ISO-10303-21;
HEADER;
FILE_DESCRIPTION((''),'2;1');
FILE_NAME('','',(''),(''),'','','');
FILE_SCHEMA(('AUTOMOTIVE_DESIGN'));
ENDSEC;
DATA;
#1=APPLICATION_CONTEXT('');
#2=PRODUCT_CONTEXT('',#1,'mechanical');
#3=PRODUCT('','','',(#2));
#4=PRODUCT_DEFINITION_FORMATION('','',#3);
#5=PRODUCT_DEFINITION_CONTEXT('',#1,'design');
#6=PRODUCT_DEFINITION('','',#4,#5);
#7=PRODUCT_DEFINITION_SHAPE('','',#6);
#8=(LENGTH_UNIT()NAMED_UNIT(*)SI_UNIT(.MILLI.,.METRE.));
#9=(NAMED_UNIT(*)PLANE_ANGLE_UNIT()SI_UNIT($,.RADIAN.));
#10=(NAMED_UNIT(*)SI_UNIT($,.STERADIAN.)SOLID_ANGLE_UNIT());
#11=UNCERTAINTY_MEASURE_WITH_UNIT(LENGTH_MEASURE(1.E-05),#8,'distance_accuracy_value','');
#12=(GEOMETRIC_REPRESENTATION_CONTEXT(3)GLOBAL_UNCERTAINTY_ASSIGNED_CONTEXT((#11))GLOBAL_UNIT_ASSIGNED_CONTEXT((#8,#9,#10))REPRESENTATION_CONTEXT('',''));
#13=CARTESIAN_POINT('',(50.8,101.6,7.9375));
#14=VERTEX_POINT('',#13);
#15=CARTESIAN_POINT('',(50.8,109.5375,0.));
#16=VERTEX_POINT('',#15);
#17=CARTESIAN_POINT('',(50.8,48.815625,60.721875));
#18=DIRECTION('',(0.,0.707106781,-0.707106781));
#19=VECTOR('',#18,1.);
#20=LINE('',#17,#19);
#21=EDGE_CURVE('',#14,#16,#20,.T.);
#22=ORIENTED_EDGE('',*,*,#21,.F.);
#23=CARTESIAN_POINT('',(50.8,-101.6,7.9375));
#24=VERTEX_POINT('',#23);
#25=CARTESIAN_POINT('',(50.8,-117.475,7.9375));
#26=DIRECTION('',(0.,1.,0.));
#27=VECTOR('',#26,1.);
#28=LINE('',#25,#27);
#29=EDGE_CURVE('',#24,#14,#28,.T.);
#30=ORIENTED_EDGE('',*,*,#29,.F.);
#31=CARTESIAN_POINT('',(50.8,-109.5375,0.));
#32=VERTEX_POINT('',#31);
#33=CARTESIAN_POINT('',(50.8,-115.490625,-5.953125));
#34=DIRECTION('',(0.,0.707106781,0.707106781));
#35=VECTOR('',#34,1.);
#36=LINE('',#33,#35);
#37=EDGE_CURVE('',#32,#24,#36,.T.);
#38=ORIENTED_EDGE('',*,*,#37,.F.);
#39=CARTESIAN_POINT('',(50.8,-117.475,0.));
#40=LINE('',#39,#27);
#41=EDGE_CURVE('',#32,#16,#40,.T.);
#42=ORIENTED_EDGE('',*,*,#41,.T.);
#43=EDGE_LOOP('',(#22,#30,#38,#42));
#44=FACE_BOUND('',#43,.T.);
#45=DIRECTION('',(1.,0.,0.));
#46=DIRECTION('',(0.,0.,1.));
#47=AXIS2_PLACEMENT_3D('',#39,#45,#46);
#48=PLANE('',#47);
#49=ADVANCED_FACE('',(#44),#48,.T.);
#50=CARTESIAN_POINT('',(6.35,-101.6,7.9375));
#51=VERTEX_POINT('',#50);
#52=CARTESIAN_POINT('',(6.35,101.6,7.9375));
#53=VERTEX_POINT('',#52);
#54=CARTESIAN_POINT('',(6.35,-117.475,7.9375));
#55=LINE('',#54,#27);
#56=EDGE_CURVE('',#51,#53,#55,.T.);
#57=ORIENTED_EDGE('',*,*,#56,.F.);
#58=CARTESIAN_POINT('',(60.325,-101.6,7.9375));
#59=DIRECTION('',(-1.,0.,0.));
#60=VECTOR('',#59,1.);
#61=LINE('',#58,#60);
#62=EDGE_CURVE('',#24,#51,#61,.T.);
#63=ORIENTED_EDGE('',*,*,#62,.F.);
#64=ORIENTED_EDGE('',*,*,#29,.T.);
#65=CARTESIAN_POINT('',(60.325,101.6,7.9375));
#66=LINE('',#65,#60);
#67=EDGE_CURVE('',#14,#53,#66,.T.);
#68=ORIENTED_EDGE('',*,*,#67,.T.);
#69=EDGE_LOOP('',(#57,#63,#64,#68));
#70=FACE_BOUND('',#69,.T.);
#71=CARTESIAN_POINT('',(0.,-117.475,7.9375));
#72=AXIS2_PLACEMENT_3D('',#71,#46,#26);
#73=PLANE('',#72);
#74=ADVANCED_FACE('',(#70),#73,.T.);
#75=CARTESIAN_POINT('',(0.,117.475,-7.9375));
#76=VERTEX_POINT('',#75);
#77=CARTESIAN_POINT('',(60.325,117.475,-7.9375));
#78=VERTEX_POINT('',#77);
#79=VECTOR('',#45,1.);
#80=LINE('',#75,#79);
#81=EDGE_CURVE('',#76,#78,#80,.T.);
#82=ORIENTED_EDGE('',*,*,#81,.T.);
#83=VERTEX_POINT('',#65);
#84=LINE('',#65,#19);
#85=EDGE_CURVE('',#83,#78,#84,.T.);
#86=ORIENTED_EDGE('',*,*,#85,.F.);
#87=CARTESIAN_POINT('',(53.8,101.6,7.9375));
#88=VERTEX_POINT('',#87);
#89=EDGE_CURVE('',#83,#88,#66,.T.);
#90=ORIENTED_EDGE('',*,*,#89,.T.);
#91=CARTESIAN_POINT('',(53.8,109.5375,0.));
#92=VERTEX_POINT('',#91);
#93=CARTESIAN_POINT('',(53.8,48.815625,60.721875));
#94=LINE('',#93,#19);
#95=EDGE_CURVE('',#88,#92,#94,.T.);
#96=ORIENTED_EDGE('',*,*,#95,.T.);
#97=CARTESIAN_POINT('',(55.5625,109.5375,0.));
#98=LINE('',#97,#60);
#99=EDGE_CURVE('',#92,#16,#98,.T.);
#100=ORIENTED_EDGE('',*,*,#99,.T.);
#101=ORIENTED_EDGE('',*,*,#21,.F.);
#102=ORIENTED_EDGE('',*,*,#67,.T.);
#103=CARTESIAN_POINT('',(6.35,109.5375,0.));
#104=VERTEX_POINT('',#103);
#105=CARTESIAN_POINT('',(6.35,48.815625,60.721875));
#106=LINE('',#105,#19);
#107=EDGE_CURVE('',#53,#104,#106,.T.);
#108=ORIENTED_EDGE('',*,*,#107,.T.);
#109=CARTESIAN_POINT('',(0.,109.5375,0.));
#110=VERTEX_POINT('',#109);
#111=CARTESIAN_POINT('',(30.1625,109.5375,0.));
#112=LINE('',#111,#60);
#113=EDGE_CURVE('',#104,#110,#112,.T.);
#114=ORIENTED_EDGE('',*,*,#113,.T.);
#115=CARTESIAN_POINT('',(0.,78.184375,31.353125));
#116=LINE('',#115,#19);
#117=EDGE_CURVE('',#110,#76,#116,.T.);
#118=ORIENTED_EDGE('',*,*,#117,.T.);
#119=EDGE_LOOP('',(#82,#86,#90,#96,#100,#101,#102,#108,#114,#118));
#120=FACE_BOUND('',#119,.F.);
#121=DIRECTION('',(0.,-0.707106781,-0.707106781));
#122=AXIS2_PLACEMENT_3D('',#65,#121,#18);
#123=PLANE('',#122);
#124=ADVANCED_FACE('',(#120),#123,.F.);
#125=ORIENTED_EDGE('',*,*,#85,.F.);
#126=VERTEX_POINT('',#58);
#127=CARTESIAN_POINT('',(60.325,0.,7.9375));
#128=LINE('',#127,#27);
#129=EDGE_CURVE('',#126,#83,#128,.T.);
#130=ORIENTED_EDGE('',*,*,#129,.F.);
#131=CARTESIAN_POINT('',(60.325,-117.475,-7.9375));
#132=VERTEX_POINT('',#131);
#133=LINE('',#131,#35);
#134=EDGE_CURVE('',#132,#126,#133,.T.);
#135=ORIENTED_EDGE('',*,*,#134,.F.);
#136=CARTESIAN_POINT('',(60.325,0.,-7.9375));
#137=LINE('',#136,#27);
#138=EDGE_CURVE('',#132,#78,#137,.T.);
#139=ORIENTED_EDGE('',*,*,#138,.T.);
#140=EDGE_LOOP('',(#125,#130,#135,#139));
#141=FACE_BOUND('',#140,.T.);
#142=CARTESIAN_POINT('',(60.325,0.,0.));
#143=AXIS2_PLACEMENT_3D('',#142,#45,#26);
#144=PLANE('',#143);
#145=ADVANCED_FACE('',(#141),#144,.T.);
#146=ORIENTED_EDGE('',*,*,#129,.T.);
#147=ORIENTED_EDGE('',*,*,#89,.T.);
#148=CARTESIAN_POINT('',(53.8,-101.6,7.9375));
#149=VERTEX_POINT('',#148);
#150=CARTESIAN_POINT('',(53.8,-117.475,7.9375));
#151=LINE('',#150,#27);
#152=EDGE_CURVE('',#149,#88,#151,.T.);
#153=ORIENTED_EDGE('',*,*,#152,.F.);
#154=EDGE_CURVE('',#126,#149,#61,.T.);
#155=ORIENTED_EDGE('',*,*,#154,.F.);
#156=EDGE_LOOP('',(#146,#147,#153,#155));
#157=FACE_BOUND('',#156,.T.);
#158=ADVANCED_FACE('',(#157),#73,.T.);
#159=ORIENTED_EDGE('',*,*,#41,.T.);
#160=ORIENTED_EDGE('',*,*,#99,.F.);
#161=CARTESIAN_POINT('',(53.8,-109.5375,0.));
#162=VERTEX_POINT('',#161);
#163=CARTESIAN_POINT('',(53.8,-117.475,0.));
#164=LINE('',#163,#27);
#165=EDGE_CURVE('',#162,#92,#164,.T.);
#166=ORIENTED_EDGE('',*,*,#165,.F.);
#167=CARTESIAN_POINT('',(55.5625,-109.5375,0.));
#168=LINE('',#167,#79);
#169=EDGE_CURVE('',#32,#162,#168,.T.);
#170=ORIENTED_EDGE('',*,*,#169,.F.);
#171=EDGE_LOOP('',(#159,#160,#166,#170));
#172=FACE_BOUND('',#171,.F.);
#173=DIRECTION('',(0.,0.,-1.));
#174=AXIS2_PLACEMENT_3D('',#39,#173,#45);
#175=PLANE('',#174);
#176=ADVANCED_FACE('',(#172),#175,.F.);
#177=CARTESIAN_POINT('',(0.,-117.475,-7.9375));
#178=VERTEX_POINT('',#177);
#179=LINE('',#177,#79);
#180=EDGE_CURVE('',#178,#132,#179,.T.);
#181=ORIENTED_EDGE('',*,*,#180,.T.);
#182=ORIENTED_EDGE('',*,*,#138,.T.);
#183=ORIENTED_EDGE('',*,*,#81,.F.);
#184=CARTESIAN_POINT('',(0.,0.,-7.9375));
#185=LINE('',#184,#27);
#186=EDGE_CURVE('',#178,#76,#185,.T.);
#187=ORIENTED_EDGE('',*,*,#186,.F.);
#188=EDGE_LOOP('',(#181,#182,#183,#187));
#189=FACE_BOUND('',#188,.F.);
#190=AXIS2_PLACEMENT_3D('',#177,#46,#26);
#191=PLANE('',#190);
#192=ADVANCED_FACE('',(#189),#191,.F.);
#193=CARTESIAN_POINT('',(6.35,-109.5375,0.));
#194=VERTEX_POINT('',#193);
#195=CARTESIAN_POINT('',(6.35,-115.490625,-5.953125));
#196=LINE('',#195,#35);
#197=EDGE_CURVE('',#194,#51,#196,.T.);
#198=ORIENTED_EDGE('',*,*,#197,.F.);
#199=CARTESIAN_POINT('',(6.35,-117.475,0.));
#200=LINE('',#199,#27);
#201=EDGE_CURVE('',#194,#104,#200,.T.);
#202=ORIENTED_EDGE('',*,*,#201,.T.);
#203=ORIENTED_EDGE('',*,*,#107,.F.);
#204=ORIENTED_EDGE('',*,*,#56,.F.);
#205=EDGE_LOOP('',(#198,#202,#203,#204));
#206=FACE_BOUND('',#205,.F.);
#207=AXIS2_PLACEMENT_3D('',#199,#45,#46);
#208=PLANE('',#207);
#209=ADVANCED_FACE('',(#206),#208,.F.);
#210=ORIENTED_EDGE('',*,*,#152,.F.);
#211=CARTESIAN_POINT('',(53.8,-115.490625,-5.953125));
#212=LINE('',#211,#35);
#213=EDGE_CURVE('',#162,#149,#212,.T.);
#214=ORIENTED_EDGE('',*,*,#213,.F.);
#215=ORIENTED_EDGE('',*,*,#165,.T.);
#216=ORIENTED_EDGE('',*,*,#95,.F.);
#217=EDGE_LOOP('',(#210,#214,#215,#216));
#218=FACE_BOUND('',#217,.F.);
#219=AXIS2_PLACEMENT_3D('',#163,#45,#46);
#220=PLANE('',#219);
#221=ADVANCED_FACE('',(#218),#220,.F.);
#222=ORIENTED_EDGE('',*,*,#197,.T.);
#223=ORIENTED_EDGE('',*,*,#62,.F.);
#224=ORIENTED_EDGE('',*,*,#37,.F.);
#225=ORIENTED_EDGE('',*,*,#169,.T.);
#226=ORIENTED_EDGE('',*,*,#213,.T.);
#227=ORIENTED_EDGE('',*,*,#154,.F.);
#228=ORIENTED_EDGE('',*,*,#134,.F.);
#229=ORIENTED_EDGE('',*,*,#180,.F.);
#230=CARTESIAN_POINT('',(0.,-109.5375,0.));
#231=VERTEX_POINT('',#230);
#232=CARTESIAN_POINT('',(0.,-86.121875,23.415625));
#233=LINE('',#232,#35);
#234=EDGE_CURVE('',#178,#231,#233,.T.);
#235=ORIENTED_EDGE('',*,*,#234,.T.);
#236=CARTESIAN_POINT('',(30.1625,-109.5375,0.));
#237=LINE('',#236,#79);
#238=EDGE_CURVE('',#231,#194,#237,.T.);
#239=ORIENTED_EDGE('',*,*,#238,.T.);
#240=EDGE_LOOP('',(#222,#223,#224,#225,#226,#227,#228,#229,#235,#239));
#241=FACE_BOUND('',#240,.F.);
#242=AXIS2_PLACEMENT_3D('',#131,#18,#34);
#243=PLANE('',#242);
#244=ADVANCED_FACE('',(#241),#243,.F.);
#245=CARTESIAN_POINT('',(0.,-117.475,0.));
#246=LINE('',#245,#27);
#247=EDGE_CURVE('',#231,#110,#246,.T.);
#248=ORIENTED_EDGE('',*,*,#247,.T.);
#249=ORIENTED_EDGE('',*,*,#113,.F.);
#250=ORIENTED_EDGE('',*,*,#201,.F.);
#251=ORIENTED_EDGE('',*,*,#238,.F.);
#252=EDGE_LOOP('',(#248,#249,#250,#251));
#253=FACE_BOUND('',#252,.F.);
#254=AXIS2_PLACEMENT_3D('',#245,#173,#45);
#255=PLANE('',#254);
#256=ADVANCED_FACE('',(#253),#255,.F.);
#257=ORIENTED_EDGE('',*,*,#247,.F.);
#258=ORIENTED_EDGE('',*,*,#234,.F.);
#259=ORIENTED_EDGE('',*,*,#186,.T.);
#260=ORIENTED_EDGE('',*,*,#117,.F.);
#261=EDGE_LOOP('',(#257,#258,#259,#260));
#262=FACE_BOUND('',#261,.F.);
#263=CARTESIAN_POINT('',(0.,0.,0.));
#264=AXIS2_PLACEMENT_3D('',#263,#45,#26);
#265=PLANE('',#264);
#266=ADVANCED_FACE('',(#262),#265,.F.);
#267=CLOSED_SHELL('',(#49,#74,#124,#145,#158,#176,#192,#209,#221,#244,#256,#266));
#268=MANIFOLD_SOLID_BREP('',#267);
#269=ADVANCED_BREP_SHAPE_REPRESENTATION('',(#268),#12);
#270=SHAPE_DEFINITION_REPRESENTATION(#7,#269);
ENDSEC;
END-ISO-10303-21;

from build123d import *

# Parameters (mm, degrees)
F0_W     = 234.95
F0_H     = 15.875
F1_DEPTH = 60.325
F2_W     = 6.35
F2_H     = 7.9375
F2_W_2   = 3
F3_DEPTH = 234.951
F5_DEPTH = 60.326


with BuildPart() as f1:
    # F0 (on Right) → F1 (new body)
    with BuildSketch(Plane.YZ):
        Rectangle(F0_W, F0_H)
    extrude(amount=F1_DEPTH)

    # F2 (on face) → F3 (cut, through all)
    with BuildSketch(Plane.XZ.offset(117.475)):
        with Locations((3.175, 3.96875)):
            Rectangle(F2_W, F2_H)
        with Locations((52.3, 3.96875)):
            Rectangle(F2_W_2, F2_H)
    extrude(amount=-F3_DEPTH, mode=Mode.SUBTRACT)

    # F4 (on face) → F5 (cut, through all)
    with BuildSketch(Plane.YZ.offset(60.325)):
        Polygon((-117.475, 7.9375), (-117.475, -7.9375), (-101.6, 7.9375), align=None)
        Polygon((101.6, 7.9375), (117.475, -7.9375), (117.475, 7.9375), align=None)
    extrude(amount=-F5_DEPTH, mode=Mode.SUBTRACT)


solid = f1.part
